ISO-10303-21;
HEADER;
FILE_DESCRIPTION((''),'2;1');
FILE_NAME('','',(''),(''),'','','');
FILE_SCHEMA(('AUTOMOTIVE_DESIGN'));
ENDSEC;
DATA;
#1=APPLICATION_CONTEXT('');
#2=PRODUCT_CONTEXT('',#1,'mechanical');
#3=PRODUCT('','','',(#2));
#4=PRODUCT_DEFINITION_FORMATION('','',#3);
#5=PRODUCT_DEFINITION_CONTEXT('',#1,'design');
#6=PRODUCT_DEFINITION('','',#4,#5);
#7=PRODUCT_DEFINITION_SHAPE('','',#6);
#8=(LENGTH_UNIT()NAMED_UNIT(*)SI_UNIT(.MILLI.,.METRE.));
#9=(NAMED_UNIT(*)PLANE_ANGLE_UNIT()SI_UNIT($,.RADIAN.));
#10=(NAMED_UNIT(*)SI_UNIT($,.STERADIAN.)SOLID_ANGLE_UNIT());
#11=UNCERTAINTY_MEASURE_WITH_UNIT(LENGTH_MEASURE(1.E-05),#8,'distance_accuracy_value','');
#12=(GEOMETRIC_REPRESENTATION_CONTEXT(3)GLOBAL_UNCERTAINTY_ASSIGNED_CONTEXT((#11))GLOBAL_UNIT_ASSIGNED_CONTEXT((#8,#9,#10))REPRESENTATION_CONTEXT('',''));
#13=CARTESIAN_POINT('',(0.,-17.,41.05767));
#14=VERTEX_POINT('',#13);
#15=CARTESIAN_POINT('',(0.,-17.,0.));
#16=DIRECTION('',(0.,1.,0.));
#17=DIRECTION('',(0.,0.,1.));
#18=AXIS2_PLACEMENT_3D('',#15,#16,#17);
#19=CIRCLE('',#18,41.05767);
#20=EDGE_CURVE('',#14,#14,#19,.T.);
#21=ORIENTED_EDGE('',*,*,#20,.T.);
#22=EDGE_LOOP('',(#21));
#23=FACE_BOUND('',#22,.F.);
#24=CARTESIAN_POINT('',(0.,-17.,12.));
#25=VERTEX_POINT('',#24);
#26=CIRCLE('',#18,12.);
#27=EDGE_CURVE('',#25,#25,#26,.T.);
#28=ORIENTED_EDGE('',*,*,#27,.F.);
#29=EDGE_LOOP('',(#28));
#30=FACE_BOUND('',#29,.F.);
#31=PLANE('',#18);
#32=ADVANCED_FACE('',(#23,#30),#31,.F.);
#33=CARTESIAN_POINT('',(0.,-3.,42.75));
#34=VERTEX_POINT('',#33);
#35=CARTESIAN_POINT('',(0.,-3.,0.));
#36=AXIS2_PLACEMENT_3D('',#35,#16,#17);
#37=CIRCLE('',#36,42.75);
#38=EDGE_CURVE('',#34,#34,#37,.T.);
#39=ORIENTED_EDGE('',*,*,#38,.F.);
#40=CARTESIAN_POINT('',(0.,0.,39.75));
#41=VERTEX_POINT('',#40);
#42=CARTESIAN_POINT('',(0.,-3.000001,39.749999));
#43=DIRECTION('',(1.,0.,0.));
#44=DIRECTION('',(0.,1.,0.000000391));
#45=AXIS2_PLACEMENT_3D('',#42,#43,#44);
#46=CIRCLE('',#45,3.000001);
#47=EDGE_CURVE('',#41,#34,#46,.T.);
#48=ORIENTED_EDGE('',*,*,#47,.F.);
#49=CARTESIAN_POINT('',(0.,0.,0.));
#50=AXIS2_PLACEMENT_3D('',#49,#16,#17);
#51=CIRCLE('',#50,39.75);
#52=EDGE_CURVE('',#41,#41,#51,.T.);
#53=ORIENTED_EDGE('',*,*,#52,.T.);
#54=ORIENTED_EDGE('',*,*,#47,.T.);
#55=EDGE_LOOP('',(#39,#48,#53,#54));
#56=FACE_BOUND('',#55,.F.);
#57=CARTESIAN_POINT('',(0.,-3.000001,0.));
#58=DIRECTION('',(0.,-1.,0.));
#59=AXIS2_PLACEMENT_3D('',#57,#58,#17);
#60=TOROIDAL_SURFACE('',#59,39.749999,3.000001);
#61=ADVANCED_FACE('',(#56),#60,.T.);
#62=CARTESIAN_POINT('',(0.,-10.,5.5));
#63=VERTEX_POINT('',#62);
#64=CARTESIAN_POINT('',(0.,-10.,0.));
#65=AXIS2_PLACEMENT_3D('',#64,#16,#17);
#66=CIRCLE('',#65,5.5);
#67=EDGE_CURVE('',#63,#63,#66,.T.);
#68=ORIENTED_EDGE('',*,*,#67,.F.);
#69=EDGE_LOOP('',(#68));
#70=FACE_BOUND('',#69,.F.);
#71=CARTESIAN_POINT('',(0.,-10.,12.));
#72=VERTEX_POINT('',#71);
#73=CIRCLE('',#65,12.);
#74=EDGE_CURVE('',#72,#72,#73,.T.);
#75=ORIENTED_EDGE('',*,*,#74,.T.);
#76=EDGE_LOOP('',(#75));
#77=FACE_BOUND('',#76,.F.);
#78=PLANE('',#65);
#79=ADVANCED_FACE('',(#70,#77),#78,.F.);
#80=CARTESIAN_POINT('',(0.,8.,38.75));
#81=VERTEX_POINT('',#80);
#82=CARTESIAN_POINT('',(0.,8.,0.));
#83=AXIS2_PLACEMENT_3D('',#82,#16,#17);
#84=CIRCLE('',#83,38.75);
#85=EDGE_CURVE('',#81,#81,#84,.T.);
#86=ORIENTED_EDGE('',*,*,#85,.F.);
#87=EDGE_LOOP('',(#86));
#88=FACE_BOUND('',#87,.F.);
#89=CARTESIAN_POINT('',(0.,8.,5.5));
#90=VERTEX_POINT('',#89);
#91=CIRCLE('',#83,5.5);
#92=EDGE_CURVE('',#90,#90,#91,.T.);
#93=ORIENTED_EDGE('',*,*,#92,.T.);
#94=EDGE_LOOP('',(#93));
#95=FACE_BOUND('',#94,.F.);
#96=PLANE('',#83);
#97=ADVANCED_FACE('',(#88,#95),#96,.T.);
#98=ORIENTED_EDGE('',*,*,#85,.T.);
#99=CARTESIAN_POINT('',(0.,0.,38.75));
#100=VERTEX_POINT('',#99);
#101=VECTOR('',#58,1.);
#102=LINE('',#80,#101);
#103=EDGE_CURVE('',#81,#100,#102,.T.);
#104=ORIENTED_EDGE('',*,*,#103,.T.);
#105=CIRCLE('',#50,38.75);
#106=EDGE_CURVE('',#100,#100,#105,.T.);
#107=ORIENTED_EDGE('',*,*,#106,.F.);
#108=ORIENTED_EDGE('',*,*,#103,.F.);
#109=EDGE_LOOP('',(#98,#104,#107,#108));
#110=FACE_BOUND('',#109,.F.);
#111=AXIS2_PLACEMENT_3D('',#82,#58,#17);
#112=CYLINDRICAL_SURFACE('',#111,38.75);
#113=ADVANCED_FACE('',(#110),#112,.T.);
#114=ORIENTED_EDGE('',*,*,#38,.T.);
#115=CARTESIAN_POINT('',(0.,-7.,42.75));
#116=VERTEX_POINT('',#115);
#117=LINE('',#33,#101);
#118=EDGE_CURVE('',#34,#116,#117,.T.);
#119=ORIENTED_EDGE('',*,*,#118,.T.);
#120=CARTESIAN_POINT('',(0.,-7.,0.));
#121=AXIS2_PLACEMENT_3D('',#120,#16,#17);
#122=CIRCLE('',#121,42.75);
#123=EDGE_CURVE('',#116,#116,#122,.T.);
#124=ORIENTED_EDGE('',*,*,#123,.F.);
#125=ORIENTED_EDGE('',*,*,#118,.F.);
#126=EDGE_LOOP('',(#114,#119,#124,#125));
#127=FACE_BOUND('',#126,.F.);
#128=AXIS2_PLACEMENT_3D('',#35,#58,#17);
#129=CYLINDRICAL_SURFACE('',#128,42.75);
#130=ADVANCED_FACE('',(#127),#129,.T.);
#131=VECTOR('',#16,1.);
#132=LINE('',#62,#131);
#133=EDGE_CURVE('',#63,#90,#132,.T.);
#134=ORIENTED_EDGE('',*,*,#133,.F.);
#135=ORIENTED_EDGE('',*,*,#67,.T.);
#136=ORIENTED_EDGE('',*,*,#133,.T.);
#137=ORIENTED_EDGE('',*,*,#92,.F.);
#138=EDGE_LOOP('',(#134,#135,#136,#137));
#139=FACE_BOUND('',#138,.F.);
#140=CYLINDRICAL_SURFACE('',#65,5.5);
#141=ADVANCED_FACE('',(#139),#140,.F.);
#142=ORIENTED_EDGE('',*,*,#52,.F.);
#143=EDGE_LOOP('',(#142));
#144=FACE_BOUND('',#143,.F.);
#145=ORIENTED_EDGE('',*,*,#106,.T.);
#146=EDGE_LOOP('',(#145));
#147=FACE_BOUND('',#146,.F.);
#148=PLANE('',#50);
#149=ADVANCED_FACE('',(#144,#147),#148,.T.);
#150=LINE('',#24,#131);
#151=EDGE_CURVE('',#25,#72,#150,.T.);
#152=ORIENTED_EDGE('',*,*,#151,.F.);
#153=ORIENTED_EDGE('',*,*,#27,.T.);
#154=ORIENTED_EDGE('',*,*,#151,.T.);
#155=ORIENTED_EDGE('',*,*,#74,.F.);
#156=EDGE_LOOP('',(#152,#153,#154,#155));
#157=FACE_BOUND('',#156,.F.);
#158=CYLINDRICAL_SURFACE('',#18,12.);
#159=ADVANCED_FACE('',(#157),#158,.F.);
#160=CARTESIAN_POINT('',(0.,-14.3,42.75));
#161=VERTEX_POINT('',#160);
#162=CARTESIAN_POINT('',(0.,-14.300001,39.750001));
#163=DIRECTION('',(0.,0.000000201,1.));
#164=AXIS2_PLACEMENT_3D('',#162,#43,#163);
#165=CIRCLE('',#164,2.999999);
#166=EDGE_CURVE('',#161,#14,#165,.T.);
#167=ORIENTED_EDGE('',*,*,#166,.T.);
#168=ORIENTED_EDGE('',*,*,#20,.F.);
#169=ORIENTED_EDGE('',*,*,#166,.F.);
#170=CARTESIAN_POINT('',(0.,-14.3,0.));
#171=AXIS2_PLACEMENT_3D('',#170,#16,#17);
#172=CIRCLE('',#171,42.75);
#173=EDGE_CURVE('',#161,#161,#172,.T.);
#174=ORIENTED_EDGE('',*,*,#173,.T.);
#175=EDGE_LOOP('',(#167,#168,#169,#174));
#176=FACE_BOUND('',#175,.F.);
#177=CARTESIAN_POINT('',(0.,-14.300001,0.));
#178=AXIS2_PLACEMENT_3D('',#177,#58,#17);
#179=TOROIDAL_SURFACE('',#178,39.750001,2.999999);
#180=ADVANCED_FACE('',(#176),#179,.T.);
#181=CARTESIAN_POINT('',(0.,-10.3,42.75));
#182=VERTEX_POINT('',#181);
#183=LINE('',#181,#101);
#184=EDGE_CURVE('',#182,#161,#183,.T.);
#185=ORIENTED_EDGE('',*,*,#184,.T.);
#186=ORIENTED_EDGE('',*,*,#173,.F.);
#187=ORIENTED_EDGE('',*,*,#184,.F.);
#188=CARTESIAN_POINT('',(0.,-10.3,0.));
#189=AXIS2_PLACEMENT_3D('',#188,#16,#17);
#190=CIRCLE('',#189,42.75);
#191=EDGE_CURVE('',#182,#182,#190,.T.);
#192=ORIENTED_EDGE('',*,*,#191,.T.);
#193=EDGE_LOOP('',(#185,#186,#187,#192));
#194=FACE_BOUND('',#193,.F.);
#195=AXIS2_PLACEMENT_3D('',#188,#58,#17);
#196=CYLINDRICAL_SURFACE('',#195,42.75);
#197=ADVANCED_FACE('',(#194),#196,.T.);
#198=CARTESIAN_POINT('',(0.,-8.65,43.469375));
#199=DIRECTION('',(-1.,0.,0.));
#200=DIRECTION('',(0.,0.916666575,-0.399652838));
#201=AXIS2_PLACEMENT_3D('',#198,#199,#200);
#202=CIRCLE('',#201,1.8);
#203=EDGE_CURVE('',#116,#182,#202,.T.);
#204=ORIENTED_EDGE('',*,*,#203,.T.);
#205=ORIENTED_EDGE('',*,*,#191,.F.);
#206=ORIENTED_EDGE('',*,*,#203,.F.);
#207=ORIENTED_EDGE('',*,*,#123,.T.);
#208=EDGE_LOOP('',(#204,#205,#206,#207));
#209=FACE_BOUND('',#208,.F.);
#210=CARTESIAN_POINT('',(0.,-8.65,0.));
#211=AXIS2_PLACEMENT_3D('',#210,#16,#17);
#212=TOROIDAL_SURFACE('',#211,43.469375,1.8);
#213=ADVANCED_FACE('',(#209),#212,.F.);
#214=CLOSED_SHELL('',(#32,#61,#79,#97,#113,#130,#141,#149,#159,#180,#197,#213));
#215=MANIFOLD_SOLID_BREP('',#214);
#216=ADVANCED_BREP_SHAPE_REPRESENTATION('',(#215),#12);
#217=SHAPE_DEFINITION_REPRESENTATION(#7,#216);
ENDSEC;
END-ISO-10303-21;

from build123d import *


with BuildPart() as f1:
    # F0 (on Right) → F1 (revolve)
    with BuildSketch(Plane.YZ):
        with BuildLine():
            Line((8, 38.75), (0, 38.75))
            Line((0, 38.75), (0, 39.75))
            ThreePointArc((0, 39.75), (-0.87868, 41.87132), (-3, 42.75))
            Line((-3, 42.75), (-7, 42.75))
            ThreePointArc((-7, 42.75), (-8.65, 41.669375), (-10.3, 42.75))
            Line((-10.3, 42.75), (-14.3, 42.75))
            ThreePointArc((-14.3, 42.75), (-15.893266, 42.291949), (-17, 41.05767))
            Line((-17, 41.05767), (-17, 12))
            Line((-17, 12), (-10, 12))
            Line((-10, 12), (-10, 5.5))
            Line((-10, 5.5), (8, 5.5))
            Line((8, 5.5), (8, 38.75))
        make_face()
    revolve(axis=Axis((0, 0.134684, 0), (0, 1, 0)))


solid = f1.part
